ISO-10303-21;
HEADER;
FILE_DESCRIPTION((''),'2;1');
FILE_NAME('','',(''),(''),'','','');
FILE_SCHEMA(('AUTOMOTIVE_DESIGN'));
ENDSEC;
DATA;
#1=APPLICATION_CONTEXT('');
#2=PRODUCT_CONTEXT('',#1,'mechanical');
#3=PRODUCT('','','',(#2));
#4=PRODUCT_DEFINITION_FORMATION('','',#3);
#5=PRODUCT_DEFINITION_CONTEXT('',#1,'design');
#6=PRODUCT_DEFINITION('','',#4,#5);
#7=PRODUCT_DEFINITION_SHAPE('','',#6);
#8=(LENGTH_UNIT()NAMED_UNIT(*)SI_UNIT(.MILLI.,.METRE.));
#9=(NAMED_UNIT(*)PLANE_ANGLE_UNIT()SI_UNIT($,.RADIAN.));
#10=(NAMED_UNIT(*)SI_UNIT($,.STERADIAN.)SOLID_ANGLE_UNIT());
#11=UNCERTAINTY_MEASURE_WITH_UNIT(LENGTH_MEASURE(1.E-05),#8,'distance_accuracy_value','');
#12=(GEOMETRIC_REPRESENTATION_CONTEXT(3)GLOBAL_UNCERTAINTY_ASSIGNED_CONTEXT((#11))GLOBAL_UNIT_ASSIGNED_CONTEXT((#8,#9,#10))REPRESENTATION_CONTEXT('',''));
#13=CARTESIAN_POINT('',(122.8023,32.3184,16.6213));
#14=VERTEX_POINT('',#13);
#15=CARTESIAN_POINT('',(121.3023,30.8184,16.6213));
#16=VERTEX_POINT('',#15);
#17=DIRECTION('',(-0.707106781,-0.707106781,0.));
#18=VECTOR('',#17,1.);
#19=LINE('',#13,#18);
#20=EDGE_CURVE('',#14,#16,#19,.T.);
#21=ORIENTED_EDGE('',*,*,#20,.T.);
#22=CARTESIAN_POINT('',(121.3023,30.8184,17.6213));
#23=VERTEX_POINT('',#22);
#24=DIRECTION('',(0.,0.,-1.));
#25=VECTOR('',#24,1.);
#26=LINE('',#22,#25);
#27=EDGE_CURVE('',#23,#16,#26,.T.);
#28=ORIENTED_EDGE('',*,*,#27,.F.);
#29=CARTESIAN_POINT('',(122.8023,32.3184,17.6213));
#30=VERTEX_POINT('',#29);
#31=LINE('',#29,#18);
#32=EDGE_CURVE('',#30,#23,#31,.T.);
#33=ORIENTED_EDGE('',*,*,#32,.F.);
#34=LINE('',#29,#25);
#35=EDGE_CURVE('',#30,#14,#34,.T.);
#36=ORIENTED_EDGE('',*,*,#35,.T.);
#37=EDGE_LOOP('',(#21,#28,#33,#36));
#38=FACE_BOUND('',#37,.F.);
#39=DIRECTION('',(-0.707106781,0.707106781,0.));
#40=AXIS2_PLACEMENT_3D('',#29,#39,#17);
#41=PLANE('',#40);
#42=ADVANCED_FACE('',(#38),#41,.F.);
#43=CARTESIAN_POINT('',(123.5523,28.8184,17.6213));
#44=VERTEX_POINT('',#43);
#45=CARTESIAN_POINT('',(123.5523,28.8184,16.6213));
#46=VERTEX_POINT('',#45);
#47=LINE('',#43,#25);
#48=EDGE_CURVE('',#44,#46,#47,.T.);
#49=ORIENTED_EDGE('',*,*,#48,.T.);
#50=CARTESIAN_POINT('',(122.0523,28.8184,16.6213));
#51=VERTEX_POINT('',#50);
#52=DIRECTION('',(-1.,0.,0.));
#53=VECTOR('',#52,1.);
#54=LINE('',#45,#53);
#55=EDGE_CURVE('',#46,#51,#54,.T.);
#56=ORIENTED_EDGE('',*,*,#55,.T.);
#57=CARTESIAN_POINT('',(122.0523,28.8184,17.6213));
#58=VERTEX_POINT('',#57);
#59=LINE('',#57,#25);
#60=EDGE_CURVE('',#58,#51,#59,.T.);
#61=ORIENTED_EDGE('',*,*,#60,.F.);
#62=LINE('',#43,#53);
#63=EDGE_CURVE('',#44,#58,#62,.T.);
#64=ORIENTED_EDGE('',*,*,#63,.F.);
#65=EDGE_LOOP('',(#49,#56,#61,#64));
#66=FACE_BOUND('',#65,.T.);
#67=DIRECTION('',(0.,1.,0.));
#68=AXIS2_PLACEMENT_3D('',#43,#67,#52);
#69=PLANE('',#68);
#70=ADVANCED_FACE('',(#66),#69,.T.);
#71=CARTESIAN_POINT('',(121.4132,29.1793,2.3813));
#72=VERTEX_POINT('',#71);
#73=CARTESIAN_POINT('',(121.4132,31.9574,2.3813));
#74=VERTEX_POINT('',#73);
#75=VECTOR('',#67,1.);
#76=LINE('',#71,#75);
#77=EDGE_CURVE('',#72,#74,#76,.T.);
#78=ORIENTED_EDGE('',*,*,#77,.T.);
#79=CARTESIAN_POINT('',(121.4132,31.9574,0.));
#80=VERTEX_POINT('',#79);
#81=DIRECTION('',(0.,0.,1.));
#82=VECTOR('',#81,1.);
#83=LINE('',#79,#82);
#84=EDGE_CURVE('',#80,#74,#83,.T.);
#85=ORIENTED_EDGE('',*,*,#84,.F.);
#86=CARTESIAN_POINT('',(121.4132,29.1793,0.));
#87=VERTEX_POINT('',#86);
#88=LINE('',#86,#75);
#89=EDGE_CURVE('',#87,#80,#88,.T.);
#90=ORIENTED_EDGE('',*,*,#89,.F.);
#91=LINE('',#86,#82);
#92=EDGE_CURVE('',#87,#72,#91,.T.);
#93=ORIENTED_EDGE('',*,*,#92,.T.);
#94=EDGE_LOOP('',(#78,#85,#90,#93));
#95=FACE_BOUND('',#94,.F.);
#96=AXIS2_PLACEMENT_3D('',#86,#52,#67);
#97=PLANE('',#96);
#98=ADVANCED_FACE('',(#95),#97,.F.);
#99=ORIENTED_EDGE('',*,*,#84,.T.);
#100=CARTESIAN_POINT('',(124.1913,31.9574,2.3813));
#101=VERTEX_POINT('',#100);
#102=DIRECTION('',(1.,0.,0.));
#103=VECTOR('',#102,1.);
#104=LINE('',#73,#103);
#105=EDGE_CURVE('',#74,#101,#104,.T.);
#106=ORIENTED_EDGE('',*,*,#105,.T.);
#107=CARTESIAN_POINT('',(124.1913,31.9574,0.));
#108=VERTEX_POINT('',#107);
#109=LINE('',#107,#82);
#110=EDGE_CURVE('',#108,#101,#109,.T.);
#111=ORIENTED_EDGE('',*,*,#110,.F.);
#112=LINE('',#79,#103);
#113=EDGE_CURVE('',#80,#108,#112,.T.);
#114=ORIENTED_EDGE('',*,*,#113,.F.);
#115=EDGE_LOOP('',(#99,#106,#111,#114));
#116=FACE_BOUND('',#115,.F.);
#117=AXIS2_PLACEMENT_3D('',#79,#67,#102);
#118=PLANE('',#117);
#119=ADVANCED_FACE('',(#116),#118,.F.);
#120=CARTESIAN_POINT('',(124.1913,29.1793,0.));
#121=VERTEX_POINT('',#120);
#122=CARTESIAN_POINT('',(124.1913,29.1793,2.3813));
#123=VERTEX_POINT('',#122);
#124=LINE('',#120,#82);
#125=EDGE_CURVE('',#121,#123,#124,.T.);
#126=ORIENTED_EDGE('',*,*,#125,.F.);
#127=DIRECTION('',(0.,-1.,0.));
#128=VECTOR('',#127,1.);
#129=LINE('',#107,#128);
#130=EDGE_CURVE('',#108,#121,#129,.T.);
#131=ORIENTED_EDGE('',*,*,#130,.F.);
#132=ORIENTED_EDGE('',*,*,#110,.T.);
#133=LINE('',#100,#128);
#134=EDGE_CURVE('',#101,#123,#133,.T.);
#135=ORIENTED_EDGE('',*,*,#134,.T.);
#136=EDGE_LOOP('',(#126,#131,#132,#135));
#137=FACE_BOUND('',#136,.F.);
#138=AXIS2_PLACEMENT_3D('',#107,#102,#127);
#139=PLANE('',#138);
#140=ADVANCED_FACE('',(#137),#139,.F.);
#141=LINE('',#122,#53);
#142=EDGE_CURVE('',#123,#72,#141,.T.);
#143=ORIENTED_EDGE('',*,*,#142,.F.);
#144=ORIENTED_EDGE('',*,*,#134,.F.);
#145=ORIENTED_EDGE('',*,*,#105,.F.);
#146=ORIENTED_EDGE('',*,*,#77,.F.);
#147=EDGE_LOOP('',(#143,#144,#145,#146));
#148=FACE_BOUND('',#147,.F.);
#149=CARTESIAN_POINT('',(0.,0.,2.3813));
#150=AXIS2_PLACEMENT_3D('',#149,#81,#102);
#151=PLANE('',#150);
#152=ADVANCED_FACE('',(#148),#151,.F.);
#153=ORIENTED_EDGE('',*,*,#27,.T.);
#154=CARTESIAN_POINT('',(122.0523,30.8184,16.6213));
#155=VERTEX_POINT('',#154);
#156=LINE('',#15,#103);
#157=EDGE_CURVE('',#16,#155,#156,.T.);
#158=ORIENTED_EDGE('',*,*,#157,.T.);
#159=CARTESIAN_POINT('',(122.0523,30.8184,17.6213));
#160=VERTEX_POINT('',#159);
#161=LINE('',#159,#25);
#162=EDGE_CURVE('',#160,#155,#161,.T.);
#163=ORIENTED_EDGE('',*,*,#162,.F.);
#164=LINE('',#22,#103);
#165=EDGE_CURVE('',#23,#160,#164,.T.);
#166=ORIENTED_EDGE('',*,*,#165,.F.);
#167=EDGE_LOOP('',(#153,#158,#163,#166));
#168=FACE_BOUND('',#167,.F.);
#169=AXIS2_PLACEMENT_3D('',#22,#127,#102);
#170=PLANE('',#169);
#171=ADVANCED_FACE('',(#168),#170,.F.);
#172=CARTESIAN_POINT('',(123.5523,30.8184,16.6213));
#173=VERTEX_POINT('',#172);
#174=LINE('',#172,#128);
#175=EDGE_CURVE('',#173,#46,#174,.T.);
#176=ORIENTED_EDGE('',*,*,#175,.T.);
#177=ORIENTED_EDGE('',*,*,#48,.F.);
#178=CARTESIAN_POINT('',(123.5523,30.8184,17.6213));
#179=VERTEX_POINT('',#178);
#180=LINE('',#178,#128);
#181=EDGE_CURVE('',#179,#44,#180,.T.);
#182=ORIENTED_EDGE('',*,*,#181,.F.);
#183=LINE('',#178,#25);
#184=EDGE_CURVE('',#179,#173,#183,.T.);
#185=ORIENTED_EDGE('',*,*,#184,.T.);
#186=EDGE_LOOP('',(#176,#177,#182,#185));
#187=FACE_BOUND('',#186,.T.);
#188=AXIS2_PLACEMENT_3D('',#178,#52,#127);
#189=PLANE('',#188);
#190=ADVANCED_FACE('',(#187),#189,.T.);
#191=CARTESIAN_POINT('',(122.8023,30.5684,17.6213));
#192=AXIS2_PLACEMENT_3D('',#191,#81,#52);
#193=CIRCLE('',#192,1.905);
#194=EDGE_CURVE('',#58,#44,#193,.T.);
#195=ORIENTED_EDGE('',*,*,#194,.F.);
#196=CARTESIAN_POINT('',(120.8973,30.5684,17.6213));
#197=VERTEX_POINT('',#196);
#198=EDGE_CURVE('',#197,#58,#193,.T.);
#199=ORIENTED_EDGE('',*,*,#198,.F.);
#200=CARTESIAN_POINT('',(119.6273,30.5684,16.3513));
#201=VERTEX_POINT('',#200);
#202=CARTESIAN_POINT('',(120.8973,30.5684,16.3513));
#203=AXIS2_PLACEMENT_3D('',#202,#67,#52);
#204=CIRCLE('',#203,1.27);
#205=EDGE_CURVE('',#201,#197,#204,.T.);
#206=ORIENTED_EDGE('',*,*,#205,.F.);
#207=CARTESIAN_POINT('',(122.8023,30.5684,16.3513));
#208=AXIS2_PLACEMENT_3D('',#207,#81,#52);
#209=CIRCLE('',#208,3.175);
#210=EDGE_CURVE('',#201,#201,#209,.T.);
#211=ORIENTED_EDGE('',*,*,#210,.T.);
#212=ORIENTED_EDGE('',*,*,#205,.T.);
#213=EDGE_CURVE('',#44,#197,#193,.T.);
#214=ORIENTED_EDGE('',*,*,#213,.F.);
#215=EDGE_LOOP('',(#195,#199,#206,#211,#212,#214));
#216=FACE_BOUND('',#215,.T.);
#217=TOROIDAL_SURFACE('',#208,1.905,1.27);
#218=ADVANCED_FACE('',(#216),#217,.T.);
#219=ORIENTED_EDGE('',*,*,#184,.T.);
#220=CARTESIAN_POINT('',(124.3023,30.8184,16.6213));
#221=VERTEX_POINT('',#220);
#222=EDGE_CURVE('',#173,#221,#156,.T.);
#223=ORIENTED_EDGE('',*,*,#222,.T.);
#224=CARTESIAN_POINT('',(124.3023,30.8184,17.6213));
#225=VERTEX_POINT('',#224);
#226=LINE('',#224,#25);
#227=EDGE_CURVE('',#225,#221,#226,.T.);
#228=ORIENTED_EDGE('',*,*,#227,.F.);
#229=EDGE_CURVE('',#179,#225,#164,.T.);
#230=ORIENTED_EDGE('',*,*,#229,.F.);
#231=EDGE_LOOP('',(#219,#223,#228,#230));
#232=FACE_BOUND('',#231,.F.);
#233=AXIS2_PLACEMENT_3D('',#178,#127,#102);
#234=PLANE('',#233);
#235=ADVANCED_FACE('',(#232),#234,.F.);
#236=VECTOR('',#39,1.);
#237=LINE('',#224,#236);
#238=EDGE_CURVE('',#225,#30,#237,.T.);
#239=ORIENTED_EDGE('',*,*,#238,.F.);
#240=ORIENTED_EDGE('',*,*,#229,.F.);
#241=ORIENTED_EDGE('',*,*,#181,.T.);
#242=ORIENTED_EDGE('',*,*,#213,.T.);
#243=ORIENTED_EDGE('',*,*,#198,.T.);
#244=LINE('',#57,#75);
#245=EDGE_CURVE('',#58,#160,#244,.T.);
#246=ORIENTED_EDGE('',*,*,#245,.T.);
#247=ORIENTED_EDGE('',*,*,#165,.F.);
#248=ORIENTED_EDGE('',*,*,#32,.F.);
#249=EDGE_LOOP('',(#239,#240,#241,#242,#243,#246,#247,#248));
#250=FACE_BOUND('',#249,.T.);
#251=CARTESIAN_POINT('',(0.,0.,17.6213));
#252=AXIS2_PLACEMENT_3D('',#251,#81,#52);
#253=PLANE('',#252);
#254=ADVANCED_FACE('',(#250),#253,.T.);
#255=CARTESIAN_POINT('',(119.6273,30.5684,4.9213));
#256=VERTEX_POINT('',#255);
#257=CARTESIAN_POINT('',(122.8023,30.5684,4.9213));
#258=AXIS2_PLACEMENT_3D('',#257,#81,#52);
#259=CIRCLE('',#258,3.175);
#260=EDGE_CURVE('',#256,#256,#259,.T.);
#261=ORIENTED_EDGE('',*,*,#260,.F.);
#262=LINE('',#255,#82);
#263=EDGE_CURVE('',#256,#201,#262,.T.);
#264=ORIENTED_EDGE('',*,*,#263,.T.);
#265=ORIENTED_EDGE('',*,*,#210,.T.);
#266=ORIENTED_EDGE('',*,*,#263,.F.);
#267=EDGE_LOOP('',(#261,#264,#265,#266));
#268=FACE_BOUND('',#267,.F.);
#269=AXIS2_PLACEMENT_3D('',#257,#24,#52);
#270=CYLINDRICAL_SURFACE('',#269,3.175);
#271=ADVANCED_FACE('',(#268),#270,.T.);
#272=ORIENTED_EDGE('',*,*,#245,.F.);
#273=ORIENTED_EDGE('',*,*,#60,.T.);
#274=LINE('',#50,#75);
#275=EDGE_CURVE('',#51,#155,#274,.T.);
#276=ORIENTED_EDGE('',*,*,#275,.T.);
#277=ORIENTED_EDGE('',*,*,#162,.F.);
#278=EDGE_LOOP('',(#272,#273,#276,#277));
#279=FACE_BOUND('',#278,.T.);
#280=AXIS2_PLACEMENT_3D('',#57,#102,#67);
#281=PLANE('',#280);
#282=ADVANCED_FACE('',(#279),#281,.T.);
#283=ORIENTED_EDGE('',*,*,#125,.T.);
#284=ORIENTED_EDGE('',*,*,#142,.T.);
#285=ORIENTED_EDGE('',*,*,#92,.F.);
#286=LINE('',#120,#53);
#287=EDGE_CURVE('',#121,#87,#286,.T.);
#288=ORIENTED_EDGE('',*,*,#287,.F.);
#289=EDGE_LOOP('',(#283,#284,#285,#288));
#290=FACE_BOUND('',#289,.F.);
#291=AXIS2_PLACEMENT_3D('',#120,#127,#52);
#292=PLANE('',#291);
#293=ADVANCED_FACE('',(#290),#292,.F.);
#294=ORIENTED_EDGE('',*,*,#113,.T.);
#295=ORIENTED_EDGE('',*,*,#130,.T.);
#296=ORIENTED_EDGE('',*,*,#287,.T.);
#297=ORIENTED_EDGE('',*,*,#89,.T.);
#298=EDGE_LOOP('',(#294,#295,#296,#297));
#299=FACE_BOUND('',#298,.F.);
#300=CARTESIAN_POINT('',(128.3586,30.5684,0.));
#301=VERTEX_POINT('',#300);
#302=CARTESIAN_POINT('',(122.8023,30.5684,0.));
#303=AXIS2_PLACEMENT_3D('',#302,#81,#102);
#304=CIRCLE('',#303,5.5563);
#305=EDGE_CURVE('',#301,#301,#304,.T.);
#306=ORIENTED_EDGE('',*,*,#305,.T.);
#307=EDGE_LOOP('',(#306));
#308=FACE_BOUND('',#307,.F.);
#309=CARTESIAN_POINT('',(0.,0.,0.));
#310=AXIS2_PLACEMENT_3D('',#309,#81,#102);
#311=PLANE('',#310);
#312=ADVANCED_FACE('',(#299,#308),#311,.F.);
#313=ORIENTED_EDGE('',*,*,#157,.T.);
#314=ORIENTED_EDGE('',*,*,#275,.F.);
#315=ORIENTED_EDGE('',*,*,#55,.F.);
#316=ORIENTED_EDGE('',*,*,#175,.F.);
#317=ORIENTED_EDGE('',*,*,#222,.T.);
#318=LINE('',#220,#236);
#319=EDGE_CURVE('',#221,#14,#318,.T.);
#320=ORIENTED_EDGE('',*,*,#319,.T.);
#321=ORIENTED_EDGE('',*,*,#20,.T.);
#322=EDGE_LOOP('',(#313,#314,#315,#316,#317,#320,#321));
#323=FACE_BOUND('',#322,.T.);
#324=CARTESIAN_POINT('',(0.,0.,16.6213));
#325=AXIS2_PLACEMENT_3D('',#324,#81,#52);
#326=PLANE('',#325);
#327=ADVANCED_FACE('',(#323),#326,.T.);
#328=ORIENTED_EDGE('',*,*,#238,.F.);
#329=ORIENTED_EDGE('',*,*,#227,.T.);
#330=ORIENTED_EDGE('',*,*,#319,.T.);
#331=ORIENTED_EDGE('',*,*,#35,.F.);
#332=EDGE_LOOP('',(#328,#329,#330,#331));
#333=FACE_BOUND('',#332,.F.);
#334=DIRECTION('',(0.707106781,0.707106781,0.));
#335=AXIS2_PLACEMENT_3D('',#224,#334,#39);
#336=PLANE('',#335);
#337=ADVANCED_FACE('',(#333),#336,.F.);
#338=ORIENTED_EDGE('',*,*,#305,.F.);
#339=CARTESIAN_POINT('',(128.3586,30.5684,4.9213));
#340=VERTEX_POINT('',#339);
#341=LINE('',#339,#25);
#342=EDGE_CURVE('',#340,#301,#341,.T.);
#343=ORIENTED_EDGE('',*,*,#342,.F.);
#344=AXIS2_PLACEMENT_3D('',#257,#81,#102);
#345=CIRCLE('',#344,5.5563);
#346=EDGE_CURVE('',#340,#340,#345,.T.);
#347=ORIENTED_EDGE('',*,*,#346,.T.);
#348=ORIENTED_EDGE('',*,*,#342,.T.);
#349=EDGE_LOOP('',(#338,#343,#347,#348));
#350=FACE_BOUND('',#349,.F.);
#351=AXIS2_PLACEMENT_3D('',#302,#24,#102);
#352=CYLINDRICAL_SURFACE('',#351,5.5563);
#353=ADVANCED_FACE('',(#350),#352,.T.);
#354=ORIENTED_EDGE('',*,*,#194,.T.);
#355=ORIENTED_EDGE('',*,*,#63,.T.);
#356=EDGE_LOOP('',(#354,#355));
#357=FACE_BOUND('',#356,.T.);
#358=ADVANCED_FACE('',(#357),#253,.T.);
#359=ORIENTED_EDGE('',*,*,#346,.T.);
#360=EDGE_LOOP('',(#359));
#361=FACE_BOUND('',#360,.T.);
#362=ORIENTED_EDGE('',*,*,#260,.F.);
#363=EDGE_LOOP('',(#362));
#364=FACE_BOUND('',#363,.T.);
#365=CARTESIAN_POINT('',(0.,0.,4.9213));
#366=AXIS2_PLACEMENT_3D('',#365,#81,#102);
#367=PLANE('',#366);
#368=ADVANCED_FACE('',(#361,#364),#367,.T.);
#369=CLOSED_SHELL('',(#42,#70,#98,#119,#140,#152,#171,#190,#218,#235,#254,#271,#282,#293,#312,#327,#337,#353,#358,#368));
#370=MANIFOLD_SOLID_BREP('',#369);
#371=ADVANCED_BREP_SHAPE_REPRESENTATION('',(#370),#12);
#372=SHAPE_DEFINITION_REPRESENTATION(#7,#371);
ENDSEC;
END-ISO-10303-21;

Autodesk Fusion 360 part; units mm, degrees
sketch "Sketch1" plane through (0, 0, 0) normal (0, 0, 1) x (1, 0, 0)
  line L0 (121.4132, 31.9574) -> (124.1913, 31.9574)
  line L1 (124.1913, 31.9574) -> (124.1913, 29.1793)
  line L2 (124.1913, 29.1793) -> (121.4132, 29.1793)
  line L3 (121.4132, 29.1793) -> (121.4132, 31.9574)
  circle A0 centre (122.8023, 30.5684) radius 5.5563
  dimension "d1" = 2.7781
  dimension "d2" = 2.7781
  dimension "d17" = 11.1125
extrude "Extrude1" add sketch "Sketch1" along normal blind 2.3813
extrude "Extrude4" add sketch "Sketch1" along normal blind 2.54 from surface at 2.3813 contours L0 L1 L2 L3 | A0
sketch "Sketch2" plane through (0, 0, 4.9213) normal (0, 0, 1) x (-1, 0, 0)
  line L0 (-124.1913, -29.1793) -> (-121.4132, -29.1793)
  line L1 (-121.4132, -29.1793) -> (-121.4132, -31.9574)
  line L2 (-121.4132, -31.9574) -> (-124.1913, -31.9574)
  line L3 (-124.1913, -31.9574) -> (-124.1913, -29.1793)
  circle A0 centre (-122.8023, -30.5684) radius 3.175
  circle A1 centre (-122.8023, -30.5684) radius 5.5562
  circle A2 centre (-122.8023, -30.5684) radius 5.5562
  point P0 (-121.4132, -30.5684)
  point P1 (-122.8023, -31.9574)
  dimension "d6" = 6.35
extrude "Extrude2" add sketch "Sketch2" along normal blind 12.7 contours L0 L1 L2 L3 | A0
fillet "Fillet1" radius 1.27 1 edges at (125.7624, 31.7165, 17.6213)
sketch "Sketch3" plane through (0, 0, 17.6213) normal (0, 0, 1) x (-1, 0, 0)
  circle A0 centre (-122.8023, -30.5684) radius 1.905
  line L0 (-122.0523, -30.8184) -> (-123.5523, -30.8184) construction
  line L1 (-123.5523, -30.8184) -> (-123.5523, -28.8184)
  line L2 (-123.5523, -28.8184) -> (-122.0523, -28.8184)
  line L3 (-122.0523, -28.8184) -> (-122.0523, -30.8184)
  line L4 (-121.3023, -30.8184) -> (-124.3023, -30.8184)
  line L5 (-124.3023, -30.8184) -> (-122.8023, -32.3184)
  line L6 (-122.8023, -32.3184) -> (-121.3023, -30.8184)
  line L7 (-122.8023, -32.3184) -> (-122.8023, -28.8184) construction
  point P0 (-122.8023, -30.8184)
  point P1 (-122.8023, -30.5684)
  dimension "d11" = 1.5
  dimension "d12" = 2
  dimension "d13" = 1.5
  dimension "d14" = 3
extrude "Extrude3" cut sketch "Sketch3" against normal blind 1 contours L1 L2 L3 L4 | L4 L5 L6
equation "d1 = ( 7 / 64 ) * 1 in"
equation "d2 = ( 7 / 64 ) * 1 in"
equation "d4 = ( 3 / 32 ) * 1 in"
equation "d17 = ( 7 / 16 ) * 1 in"
